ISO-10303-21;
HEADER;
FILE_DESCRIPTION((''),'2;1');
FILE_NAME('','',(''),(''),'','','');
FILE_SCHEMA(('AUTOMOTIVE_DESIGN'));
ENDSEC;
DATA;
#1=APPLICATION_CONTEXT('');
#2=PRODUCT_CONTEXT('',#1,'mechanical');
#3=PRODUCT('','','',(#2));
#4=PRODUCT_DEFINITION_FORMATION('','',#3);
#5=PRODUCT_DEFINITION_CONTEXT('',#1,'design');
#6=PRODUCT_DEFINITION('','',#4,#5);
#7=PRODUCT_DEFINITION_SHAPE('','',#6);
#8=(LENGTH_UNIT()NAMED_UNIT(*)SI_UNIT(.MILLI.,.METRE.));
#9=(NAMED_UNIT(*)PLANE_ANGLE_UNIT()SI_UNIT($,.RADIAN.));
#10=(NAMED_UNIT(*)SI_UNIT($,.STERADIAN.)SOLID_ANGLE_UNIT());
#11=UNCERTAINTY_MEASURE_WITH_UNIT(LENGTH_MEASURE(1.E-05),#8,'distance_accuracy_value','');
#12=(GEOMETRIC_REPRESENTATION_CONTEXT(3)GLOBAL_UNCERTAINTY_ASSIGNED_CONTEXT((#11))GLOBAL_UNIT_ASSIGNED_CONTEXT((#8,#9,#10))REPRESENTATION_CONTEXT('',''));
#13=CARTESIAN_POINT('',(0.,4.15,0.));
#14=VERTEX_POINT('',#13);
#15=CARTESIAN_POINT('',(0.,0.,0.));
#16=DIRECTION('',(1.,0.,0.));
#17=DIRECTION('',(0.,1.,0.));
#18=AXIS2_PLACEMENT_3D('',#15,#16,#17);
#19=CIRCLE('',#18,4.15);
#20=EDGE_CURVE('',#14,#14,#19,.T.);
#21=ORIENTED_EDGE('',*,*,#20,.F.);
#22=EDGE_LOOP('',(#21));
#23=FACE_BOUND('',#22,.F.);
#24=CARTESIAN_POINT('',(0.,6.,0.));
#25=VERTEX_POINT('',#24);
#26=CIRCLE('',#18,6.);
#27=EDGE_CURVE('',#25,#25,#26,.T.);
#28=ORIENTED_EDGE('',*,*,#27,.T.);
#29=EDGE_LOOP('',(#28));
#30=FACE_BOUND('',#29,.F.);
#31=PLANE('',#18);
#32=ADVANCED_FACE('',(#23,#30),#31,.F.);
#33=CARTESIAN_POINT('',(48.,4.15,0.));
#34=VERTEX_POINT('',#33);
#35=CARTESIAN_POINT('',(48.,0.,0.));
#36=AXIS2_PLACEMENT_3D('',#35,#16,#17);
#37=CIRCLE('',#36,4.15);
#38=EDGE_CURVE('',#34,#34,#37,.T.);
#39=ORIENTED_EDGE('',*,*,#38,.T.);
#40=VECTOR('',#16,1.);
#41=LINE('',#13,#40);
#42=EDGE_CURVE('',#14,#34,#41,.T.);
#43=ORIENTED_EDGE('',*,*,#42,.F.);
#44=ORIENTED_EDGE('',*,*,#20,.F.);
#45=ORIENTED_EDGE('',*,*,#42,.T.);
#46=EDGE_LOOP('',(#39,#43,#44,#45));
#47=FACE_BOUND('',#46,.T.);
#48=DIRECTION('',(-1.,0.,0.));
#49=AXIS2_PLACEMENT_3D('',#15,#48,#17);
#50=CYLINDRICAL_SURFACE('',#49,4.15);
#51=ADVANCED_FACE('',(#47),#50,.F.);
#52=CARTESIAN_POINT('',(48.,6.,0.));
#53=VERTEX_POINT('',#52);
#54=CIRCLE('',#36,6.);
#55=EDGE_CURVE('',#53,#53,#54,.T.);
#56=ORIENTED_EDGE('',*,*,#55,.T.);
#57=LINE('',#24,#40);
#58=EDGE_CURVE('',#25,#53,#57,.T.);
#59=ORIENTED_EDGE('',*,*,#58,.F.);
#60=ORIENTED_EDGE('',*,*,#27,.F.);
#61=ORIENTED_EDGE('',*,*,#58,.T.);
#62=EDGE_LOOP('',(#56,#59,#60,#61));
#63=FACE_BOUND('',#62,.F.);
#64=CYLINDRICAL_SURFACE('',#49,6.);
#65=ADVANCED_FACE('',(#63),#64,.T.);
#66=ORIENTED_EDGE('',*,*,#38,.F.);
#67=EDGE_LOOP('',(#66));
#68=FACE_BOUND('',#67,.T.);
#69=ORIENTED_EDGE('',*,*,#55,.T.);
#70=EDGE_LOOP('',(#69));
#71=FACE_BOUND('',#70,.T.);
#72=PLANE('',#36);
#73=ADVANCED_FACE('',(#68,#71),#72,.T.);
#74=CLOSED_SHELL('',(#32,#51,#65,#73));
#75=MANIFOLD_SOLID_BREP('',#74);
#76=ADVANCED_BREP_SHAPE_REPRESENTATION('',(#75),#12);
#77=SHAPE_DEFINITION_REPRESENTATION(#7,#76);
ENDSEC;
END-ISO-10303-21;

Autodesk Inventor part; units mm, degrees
ref_plane "YZ Plane" through (0, 0, 0) normal (1, 0, 0) x (0, 1, 0)
ref_plane "XZ Plane" through (0, 0, 0) normal (0, 1, 0) x (-1, 0, 0)
ref_plane "XY Plane" through (0, 0, 0) normal (0, 0, 1) x (1, 0, 0)
sketch "Szkic1" plane through (0, 0, 0) normal (1, 0, 0) x (0, 1, 0)
  circle A0 centre (0, 0) radius 4.15
  circle A1 centre (0, 0) radius 6
  dimension "d0" = 8.3
  dimension "d1" = 12
extrude "Wyciągnięcie proste1" add sketch "Szkic1" along normal blind 48
properties part number "Tuleja środkowa"
